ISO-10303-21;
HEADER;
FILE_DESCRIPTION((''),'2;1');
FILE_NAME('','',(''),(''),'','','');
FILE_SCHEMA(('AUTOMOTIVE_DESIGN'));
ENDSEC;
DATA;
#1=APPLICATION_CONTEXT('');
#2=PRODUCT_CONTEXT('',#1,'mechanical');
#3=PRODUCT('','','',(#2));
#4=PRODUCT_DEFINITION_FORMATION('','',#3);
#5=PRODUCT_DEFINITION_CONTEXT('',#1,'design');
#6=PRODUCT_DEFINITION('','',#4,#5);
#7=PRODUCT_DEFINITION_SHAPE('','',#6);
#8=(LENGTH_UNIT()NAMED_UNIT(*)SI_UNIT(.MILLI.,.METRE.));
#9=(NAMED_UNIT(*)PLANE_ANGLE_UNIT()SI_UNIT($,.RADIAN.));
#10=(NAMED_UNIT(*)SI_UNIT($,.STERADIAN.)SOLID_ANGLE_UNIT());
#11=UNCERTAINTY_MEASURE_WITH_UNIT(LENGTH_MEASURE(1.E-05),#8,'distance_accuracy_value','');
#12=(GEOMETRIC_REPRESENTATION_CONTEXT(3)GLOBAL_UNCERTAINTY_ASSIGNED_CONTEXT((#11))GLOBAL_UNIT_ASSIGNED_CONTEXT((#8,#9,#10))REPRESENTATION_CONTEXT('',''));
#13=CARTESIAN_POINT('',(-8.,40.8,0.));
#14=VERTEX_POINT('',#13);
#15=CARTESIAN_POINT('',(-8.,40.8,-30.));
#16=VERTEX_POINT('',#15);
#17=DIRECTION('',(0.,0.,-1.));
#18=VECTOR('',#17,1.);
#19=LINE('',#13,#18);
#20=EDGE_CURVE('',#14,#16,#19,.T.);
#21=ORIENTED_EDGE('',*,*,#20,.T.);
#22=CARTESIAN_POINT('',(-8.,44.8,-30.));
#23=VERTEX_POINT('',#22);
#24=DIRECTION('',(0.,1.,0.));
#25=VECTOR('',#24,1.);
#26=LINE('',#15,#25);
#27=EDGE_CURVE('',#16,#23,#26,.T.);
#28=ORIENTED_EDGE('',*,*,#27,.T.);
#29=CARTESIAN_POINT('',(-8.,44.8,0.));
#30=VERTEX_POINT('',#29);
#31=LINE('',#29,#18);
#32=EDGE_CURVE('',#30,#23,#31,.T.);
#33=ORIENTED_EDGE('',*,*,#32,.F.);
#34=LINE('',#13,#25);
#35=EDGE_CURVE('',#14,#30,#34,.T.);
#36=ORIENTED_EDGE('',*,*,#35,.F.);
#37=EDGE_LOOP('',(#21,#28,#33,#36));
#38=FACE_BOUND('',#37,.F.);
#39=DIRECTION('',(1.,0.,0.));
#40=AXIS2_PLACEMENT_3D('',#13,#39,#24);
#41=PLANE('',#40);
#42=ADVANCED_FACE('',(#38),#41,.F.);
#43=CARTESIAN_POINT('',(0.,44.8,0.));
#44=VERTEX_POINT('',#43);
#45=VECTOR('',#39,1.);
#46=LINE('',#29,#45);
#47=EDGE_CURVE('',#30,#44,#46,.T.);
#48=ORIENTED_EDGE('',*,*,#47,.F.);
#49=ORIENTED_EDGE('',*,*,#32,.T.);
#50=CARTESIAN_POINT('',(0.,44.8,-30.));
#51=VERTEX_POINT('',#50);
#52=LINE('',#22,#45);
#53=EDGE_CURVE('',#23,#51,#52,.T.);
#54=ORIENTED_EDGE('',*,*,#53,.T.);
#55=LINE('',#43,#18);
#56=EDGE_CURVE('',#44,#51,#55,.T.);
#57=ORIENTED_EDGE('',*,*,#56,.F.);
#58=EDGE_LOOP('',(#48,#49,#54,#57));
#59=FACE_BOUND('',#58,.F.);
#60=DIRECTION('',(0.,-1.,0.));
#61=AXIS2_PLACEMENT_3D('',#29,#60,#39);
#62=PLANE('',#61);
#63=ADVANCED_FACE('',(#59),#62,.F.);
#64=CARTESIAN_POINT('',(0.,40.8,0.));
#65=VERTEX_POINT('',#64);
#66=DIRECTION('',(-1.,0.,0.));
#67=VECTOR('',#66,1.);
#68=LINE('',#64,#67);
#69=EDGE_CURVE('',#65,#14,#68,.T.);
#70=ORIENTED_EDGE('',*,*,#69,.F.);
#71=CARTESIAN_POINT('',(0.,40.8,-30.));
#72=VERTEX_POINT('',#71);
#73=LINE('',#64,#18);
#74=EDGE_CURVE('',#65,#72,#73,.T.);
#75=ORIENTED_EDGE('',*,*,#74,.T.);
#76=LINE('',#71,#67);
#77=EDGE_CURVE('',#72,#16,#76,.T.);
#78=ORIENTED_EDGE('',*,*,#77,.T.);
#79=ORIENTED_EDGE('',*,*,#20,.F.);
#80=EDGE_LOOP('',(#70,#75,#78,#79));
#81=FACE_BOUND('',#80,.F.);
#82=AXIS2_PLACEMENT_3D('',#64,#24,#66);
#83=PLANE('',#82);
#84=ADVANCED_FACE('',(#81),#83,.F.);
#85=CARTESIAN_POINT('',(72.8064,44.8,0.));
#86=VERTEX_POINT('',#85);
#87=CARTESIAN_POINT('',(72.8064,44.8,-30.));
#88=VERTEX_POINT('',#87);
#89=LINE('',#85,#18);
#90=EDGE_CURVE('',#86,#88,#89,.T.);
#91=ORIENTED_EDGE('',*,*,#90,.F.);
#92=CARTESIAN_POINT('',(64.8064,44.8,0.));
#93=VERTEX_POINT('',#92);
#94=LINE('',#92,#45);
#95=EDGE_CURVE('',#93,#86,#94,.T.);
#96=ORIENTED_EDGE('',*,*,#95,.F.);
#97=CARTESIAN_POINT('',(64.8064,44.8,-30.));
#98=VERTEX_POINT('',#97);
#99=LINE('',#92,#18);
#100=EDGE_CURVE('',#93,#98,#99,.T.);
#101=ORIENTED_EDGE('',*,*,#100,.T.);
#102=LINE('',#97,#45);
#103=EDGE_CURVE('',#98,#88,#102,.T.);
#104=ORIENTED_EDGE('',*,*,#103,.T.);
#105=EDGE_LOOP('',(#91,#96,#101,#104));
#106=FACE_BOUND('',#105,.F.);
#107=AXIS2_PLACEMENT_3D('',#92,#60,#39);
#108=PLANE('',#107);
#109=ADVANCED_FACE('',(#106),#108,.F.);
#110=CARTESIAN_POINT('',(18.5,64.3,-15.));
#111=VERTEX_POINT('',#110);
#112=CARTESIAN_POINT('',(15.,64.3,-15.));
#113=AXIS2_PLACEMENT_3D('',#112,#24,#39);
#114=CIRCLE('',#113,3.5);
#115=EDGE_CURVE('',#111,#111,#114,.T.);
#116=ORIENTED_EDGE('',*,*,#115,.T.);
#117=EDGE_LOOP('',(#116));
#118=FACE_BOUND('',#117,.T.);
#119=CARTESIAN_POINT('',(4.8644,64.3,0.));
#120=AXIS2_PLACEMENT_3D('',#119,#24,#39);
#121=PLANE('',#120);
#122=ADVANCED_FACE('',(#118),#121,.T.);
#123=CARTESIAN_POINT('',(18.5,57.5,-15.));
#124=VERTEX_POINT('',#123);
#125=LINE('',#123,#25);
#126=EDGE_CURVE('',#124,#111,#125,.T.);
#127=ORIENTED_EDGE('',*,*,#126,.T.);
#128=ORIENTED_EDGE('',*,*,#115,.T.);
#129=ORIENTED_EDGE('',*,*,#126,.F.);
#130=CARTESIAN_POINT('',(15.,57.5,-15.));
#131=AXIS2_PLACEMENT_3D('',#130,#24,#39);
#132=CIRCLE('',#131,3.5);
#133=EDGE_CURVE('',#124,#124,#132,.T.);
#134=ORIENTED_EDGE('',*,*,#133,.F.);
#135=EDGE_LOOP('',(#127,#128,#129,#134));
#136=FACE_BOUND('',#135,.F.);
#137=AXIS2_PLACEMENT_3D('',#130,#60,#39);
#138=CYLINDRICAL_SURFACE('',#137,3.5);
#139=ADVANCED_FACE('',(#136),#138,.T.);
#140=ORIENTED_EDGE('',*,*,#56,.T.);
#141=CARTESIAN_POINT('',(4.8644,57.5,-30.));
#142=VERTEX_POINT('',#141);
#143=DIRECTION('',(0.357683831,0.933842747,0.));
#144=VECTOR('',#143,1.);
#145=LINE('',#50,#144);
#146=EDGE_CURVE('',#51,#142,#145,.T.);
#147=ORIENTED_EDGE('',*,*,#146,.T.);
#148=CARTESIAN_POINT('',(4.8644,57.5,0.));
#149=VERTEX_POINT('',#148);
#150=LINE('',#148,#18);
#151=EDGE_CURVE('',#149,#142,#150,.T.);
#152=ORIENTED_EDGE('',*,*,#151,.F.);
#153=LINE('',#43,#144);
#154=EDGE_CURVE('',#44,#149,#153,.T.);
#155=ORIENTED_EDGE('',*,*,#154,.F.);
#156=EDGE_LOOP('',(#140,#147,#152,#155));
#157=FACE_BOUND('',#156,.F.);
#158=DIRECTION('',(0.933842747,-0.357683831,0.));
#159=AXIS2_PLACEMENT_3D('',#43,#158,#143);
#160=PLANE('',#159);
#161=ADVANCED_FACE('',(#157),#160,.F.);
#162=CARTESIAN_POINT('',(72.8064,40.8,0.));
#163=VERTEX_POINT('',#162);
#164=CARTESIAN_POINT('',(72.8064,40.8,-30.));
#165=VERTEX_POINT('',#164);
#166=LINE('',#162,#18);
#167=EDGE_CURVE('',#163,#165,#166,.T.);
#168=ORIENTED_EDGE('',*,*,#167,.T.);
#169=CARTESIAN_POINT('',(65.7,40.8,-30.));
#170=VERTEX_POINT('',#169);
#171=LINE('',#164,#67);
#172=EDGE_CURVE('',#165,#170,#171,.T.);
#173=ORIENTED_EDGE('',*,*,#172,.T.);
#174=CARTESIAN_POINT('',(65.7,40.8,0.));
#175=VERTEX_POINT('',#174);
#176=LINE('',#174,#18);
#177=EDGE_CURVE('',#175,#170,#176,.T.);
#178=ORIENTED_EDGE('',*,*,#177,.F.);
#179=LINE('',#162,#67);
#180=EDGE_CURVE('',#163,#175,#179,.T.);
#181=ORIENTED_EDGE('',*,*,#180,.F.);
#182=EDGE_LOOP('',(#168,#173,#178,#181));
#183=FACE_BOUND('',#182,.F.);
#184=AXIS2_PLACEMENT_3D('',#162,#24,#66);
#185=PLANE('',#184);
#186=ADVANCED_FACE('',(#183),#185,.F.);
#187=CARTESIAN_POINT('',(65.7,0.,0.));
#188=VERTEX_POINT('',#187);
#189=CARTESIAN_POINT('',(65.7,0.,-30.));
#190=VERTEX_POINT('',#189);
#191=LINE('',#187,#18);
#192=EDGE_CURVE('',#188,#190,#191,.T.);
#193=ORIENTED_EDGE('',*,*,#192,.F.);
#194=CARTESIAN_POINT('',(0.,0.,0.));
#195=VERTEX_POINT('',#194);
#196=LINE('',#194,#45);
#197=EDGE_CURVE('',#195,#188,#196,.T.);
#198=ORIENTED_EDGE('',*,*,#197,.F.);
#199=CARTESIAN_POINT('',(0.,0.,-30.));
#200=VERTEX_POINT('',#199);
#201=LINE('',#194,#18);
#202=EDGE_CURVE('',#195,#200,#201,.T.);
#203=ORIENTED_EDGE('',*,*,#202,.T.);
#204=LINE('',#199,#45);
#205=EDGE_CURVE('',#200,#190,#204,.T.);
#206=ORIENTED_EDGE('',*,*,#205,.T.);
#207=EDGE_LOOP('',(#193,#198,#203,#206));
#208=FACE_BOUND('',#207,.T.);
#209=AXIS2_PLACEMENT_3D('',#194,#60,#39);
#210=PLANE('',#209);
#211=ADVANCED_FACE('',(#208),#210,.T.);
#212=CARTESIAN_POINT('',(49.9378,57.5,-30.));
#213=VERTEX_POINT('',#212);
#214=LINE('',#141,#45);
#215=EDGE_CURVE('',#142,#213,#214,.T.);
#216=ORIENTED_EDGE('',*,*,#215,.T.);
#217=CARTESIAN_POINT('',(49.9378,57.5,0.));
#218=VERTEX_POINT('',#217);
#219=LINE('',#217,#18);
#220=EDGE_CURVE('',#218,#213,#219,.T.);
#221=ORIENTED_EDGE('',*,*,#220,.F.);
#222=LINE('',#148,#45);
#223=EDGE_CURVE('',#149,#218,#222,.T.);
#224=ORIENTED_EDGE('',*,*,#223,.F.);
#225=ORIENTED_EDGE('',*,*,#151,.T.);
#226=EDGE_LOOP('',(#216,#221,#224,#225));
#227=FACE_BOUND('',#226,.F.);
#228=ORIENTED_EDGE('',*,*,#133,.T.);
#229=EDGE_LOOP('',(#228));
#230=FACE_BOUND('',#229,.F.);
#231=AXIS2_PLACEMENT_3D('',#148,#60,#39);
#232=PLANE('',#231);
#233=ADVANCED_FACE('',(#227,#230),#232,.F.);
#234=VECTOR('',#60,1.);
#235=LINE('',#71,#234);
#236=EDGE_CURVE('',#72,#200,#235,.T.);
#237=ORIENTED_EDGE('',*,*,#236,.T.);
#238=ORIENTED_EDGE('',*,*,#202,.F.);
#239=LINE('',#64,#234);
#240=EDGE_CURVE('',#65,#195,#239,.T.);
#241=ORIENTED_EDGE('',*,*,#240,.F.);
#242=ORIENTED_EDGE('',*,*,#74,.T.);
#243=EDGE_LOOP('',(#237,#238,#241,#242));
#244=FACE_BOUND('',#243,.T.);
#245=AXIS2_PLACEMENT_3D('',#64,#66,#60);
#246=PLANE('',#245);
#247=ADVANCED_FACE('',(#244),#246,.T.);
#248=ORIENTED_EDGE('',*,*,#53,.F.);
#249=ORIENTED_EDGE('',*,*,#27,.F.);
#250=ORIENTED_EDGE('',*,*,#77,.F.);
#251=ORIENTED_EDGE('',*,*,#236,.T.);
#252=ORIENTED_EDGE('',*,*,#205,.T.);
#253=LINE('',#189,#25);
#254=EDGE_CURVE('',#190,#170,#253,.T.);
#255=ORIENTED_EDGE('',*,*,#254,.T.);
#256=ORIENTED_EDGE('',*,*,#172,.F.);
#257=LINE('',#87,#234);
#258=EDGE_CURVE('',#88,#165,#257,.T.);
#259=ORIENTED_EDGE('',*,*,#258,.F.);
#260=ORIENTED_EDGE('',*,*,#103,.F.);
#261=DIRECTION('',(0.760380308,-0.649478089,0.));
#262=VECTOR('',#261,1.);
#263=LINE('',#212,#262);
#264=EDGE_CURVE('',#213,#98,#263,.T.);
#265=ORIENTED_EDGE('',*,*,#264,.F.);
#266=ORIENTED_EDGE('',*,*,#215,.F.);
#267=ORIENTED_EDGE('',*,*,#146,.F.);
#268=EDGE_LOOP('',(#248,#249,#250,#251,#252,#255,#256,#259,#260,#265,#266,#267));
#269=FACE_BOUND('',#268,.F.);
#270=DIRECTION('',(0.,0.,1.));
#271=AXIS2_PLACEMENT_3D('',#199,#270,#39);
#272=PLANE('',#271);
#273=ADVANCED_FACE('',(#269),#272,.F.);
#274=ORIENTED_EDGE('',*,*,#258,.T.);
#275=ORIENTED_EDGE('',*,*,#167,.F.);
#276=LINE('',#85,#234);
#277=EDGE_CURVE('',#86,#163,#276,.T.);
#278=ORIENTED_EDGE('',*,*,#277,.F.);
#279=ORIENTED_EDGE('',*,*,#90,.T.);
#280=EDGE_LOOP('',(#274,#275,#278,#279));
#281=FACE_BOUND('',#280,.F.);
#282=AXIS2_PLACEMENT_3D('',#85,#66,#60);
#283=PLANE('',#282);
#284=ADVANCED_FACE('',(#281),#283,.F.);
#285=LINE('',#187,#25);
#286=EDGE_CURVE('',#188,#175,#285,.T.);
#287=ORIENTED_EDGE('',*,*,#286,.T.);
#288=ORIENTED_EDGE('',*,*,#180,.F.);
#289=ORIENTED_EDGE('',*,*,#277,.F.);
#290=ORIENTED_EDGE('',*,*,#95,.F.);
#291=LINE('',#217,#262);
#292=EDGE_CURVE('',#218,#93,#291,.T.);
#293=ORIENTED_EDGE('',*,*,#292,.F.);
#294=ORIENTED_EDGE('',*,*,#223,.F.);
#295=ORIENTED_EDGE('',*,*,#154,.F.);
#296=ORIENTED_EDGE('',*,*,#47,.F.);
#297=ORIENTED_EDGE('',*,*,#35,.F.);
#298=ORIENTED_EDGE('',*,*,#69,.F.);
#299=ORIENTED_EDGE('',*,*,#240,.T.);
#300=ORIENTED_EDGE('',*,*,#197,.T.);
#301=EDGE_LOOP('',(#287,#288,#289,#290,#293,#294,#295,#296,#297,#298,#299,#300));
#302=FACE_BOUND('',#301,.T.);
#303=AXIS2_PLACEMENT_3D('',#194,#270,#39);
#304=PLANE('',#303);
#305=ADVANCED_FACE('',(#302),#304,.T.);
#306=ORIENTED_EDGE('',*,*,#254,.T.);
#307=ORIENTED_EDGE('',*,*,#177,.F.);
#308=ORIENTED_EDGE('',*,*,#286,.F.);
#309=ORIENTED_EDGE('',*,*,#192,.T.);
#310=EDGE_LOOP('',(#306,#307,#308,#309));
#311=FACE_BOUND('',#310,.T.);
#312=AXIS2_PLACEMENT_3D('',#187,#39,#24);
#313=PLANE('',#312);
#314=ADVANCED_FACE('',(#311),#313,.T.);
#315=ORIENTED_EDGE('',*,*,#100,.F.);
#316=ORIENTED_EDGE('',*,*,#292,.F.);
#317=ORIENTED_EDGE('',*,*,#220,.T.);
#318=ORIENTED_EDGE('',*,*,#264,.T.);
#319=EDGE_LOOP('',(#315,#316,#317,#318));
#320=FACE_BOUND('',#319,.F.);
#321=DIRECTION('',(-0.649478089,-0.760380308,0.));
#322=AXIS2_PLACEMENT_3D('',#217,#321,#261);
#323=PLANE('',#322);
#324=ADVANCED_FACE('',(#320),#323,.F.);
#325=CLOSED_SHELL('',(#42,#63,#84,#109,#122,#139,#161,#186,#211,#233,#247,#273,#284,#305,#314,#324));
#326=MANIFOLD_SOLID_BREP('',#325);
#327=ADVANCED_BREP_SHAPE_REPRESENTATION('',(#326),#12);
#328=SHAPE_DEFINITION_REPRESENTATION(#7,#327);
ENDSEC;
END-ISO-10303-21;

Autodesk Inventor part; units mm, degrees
ref_plane "YZ Plane" through (0, 0, 0) normal (1, 0, 0) x (0, 1, 0)
ref_plane "XZ Plane" through (0, 0, 0) normal (0, 1, 0) x (-1, 0, 0)
ref_plane "XY Plane" through (0, 0, 0) normal (0, 0, 1) x (1, 0, 0)
sketch "Sketch1" plane through (0, 0, 0) normal (0, 0, 1) x (1, 0, 0)
  line L0 (0, 0) -> (65.7, 0)
  line L1 (65.7, 0) -> (65.7, 40.8)
  line L2 (0, 40.8) -> (0, 0)
  line L3 (0, 40.8) -> (-8, 40.8)
  line L4 (-8, 40.8) -> (-8, 44.8)
  line L5 (-8, 44.8) -> (0, 44.8)
  line L6 (0, 44.8) -> (4.8644, 57.5)
  line L7 (4.8644, 57.5) -> (49.9378, 57.5)
  line L8 (49.9378, 57.5) -> (64.8064, 44.8)
  line L9 (64.8064, 44.8) -> (72.8064, 44.8)
  line L10 (72.8064, 44.8) -> (72.8064, 40.8)
  line L11 (72.8064, 40.8) -> (65.7, 40.8)
  dimension "d0" = 65.7
  dimension "d1" = 40.8
  dimension "d2" = 4
  dimension "d9" = 57.5
  dimension "d13" = 8
  dimension "d14" = 8
extrude "Extrusion1" add sketch "Sketch1" against normal blind 30
sketch "Sketch2" plane through (4.8644, 57.5, 0) normal (0, 1, 0) x (1, 0, 0)
  circle A0 centre (10.1356, 15) radius 3.5
  line L0 (-12.8644, 30) -> (-4.8644, 30) projected
  point P0 (-4.8644, 0)
  dimension "d5" = 7
  dimension "d6" = 15
  dimension "d7" = 15
extrude "Extrusion2" add sketch "Sketch2" along normal blind 6.8
properties part number "servo60"
